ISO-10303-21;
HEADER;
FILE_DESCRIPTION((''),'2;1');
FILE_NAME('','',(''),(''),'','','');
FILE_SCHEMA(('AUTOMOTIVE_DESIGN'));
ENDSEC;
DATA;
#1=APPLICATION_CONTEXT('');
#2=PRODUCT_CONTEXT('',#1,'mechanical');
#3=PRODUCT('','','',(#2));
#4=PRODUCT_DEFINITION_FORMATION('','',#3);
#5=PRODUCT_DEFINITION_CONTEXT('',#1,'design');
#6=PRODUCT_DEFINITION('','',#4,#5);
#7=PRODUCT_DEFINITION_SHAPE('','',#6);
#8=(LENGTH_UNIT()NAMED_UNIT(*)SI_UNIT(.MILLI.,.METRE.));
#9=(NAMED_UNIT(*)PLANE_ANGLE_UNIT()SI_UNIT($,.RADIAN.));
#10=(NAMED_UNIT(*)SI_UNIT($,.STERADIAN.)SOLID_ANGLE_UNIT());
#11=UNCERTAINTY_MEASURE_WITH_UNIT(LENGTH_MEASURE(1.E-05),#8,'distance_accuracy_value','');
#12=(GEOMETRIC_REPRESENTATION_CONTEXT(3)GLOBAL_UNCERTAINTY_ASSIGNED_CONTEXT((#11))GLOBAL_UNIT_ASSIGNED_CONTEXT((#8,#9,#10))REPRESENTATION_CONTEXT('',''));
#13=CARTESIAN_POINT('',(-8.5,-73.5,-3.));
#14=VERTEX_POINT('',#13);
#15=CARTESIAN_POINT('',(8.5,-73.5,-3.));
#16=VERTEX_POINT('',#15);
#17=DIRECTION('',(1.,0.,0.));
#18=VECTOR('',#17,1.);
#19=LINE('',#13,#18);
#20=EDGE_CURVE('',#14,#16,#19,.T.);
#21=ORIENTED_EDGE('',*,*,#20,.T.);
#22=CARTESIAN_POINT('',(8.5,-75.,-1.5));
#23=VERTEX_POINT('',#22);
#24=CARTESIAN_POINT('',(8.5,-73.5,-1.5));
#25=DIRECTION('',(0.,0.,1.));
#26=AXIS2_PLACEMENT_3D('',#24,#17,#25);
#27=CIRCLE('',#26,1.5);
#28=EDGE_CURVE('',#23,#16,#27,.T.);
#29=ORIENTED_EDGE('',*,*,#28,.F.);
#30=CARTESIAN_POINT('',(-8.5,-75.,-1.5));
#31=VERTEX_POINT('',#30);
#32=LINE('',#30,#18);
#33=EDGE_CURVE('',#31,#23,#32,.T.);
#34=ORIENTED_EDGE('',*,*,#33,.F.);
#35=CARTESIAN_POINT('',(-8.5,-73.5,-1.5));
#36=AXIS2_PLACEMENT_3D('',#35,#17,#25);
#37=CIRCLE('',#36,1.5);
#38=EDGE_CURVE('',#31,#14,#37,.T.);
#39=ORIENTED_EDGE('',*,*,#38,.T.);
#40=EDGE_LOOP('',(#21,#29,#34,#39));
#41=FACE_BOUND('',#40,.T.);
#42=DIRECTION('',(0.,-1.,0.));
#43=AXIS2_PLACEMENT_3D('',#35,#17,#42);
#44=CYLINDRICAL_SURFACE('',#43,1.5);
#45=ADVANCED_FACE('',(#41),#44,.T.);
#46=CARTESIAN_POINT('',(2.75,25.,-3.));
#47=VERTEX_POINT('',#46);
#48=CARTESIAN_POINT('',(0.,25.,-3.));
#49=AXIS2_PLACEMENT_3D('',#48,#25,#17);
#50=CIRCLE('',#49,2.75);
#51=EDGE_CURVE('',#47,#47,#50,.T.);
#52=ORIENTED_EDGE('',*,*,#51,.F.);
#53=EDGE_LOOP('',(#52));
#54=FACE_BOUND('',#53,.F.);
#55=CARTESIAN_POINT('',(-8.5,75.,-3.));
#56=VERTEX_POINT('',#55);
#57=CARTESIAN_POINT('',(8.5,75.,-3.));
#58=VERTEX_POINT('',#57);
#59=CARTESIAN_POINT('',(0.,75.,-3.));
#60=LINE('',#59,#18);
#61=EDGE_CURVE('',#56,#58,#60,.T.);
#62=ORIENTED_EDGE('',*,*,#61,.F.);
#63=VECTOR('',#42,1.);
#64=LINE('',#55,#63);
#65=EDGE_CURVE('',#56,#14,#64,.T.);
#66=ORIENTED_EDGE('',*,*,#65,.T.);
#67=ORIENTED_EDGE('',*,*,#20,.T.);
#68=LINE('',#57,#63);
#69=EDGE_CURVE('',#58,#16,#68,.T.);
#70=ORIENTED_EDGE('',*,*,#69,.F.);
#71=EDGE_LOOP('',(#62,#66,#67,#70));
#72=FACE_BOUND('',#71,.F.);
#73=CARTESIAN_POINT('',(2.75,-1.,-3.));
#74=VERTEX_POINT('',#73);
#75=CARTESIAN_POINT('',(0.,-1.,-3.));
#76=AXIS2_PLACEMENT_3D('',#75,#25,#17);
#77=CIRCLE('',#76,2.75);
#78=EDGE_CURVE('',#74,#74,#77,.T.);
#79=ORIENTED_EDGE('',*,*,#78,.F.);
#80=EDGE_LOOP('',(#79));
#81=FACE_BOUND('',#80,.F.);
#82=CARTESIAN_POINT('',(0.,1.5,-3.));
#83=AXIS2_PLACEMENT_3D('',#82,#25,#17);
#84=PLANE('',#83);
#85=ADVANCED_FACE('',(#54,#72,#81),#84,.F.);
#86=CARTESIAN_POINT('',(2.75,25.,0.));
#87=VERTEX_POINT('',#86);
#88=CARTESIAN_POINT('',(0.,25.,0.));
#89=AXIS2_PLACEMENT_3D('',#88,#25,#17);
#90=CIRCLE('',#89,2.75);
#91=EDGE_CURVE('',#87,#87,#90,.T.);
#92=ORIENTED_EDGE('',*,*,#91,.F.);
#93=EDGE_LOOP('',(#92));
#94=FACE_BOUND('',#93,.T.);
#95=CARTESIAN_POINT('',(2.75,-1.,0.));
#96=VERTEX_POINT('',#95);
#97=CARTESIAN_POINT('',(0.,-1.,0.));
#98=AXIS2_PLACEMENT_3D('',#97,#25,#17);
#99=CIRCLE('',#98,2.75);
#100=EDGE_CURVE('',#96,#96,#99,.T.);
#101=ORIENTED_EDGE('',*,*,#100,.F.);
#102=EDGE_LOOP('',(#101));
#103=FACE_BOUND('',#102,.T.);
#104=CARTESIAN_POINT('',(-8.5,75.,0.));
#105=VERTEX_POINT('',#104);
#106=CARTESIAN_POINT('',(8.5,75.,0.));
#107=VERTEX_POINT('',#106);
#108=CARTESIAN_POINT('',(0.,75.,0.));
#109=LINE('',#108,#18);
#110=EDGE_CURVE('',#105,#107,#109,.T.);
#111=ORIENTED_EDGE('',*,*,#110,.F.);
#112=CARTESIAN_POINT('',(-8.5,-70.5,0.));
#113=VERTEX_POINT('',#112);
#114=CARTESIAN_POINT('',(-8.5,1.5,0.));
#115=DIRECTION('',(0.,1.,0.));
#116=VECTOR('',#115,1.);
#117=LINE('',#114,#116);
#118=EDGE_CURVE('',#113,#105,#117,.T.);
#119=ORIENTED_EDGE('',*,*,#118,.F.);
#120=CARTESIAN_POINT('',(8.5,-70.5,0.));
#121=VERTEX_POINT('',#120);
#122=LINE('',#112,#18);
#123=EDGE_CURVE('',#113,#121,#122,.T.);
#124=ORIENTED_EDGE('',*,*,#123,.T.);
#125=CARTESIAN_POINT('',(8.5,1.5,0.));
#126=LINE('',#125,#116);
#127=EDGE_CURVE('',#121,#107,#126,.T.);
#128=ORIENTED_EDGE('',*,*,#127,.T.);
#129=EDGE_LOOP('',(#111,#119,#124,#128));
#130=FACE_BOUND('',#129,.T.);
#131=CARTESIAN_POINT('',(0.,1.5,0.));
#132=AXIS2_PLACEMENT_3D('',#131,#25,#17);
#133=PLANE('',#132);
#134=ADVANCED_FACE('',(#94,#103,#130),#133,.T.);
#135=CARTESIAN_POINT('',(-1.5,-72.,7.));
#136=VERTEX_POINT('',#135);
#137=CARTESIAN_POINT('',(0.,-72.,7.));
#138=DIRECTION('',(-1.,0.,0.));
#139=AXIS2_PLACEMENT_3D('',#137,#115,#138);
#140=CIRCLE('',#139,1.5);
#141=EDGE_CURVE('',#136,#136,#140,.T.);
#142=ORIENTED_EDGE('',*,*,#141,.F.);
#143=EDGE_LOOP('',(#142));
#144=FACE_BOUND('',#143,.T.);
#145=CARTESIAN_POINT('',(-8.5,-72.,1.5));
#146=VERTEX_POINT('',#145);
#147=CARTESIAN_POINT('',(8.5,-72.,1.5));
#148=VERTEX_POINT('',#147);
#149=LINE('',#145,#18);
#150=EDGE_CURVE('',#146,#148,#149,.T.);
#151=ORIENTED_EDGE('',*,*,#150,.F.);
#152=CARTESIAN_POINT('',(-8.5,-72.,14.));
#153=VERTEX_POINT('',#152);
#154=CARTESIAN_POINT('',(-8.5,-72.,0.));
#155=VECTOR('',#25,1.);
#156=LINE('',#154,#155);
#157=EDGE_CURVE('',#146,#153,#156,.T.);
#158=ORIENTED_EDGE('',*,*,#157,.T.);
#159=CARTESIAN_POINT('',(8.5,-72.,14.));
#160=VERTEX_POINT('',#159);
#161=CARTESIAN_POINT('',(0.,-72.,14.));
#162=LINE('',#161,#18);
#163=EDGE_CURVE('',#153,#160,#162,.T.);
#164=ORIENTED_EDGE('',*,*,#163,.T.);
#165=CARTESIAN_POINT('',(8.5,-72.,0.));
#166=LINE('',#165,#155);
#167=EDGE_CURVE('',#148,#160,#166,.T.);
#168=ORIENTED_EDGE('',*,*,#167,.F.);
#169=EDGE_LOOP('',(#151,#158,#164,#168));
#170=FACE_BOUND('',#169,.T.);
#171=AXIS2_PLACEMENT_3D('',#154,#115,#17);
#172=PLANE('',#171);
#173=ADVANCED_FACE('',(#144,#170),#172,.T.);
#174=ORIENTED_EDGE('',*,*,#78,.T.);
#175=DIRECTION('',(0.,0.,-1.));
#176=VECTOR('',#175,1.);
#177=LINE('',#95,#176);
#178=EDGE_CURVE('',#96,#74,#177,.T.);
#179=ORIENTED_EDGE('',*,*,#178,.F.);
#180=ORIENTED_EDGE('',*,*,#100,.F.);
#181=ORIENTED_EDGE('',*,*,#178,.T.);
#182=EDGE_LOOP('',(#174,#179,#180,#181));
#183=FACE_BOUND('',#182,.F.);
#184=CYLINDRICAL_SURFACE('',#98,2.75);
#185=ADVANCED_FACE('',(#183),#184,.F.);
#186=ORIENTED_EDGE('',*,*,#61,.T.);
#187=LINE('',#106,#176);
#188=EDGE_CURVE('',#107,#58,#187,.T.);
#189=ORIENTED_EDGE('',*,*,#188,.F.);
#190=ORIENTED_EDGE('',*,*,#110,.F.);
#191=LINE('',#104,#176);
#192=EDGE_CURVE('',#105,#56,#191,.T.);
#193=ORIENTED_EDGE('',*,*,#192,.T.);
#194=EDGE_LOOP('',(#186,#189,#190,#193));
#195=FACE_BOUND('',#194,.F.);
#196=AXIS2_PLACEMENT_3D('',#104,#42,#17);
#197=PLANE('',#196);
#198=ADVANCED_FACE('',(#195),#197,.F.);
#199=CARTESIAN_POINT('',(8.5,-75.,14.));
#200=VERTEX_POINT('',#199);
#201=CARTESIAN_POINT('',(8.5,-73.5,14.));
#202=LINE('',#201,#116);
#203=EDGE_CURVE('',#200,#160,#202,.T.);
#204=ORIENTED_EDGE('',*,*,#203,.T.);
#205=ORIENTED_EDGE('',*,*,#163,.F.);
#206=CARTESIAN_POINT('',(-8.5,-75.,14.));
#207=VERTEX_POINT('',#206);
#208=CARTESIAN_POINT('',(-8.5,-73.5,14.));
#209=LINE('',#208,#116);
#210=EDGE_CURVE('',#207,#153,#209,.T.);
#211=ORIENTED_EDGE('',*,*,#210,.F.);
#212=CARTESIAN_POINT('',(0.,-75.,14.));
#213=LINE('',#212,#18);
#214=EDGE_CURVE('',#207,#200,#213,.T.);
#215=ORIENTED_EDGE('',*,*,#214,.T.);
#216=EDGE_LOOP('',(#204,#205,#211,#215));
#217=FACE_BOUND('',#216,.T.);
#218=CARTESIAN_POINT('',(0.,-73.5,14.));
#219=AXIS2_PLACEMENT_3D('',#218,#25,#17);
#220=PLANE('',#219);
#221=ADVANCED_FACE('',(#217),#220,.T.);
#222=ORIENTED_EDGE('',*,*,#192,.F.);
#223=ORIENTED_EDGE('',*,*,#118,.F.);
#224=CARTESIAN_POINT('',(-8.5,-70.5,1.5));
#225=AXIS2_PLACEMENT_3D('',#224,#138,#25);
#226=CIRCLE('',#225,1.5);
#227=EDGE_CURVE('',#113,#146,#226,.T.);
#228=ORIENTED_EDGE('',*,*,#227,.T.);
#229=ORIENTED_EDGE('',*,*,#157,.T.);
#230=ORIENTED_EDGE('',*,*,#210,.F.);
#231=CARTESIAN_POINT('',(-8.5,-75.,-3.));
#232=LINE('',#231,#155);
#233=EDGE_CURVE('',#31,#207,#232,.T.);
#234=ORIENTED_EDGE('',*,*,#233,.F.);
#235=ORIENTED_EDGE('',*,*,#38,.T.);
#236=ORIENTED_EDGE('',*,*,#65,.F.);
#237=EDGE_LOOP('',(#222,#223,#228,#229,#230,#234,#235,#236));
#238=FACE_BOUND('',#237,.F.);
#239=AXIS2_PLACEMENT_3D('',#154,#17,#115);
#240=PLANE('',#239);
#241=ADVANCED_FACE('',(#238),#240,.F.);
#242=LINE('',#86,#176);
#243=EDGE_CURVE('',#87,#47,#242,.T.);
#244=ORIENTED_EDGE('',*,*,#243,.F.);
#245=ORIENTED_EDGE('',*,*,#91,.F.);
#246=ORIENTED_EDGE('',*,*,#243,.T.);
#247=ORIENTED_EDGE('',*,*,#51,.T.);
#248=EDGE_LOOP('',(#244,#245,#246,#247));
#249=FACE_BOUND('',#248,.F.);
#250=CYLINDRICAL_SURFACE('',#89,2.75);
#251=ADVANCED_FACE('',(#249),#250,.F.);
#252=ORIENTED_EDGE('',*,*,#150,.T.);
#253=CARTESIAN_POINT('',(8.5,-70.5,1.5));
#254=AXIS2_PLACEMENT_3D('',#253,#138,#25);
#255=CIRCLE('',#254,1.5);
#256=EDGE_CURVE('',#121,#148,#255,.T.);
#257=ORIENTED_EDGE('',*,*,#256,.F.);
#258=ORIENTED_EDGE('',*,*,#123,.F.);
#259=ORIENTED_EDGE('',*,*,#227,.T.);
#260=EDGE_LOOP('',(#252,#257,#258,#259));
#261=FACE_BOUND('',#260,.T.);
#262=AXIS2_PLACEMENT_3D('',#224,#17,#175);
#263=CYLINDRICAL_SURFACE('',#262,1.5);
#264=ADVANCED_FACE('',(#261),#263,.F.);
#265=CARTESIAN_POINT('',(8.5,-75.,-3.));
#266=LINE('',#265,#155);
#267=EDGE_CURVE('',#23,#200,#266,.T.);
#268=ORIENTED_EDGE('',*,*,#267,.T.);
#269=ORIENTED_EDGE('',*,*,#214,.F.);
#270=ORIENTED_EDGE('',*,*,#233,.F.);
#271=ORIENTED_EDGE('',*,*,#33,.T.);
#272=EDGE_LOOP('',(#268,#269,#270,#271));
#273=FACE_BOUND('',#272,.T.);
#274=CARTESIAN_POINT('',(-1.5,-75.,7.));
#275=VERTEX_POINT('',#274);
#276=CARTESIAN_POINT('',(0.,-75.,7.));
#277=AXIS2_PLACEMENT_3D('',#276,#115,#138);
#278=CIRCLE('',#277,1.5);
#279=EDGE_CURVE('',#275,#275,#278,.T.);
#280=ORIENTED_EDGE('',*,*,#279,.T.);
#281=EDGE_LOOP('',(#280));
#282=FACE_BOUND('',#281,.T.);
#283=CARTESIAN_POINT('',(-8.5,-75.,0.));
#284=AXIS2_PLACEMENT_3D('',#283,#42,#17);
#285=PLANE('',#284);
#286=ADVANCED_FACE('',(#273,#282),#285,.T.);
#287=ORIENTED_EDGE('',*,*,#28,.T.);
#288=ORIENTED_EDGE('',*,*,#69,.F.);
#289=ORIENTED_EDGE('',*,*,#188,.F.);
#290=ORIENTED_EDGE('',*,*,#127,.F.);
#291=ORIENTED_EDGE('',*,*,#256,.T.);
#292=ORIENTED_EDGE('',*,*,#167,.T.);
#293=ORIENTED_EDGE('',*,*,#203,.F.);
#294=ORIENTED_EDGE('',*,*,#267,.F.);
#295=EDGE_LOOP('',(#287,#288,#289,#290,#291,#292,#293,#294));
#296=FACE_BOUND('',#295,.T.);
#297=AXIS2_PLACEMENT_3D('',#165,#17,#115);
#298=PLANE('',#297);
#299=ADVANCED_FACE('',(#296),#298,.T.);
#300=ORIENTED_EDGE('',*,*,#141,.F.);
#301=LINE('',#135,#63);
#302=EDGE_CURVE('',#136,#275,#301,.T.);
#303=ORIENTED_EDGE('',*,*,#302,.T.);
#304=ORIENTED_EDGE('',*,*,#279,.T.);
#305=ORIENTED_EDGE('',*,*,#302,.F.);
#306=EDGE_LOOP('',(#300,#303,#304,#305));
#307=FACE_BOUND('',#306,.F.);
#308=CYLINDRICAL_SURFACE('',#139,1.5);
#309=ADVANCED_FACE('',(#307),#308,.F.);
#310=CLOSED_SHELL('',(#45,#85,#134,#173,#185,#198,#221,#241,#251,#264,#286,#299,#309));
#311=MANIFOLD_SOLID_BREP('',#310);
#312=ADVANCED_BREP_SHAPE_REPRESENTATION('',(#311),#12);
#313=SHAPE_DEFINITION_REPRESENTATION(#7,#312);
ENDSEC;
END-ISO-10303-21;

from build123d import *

# Parameters (mm, degrees)
F0_W      = 17
F0_H      = 3
F1_DEPTH  = 14
F0_H_2    = 147
F1_FACE_W = 17
F1_FACE_H = 3
F2_DEPTH  = 3
F3_R      = 1.5
F4_DEPTH  = 25
F5_R      = 2.75
F6_DEPTH  = 25
F7_R      = 1.5


with BuildPart() as f1:
    # F0 (on Top) → F1 (new body)
    with BuildSketch(Plane.XY):
        with Locations((0, -73.5)):
            Rectangle(F0_W, F0_H)
    extrude(amount=F1_DEPTH)

    # F0 (on Top) + F1_face (on face) → F2 (join)
    with BuildSketch(Plane.XY):
        with Locations((0, 1.5)):
            Rectangle(F0_W, F0_H_2)
    with BuildSketch(Plane(origin=(0, -73.5, 0), x_dir=(1, 0, 0), z_dir=(0, 0, -1))):
        Rectangle(F1_FACE_W, F1_FACE_H)
    extrude(amount=-F2_DEPTH, dir=(0, 0, 1))

    # F3 (on face) → F4 (cut)
    with BuildSketch(Plane(origin=(0, -72, 0), x_dir=(-1, 0, 0), z_dir=(0, 1, 0))):
        with Locations((0, 7)):
            Circle(F3_R)
    extrude(amount=-F4_DEPTH, mode=Mode.SUBTRACT)

    # F5 (on face) → F6 (cut)
    with BuildSketch(Plane.XY):
        with Locations((0, -1)):
            Circle(F5_R)
        with Locations((0, 25)):
            Circle(F5_R)
    extrude(amount=-F6_DEPTH, mode=Mode.SUBTRACT)

    # F7
    f7_edges = [f1.edges().sort_by_distance(p)[0] for p in [
        (0, -75, -3),
        (0, -72, 0),
    ]]
    fillet(f7_edges, radius=F7_R)


solid = f1.part
